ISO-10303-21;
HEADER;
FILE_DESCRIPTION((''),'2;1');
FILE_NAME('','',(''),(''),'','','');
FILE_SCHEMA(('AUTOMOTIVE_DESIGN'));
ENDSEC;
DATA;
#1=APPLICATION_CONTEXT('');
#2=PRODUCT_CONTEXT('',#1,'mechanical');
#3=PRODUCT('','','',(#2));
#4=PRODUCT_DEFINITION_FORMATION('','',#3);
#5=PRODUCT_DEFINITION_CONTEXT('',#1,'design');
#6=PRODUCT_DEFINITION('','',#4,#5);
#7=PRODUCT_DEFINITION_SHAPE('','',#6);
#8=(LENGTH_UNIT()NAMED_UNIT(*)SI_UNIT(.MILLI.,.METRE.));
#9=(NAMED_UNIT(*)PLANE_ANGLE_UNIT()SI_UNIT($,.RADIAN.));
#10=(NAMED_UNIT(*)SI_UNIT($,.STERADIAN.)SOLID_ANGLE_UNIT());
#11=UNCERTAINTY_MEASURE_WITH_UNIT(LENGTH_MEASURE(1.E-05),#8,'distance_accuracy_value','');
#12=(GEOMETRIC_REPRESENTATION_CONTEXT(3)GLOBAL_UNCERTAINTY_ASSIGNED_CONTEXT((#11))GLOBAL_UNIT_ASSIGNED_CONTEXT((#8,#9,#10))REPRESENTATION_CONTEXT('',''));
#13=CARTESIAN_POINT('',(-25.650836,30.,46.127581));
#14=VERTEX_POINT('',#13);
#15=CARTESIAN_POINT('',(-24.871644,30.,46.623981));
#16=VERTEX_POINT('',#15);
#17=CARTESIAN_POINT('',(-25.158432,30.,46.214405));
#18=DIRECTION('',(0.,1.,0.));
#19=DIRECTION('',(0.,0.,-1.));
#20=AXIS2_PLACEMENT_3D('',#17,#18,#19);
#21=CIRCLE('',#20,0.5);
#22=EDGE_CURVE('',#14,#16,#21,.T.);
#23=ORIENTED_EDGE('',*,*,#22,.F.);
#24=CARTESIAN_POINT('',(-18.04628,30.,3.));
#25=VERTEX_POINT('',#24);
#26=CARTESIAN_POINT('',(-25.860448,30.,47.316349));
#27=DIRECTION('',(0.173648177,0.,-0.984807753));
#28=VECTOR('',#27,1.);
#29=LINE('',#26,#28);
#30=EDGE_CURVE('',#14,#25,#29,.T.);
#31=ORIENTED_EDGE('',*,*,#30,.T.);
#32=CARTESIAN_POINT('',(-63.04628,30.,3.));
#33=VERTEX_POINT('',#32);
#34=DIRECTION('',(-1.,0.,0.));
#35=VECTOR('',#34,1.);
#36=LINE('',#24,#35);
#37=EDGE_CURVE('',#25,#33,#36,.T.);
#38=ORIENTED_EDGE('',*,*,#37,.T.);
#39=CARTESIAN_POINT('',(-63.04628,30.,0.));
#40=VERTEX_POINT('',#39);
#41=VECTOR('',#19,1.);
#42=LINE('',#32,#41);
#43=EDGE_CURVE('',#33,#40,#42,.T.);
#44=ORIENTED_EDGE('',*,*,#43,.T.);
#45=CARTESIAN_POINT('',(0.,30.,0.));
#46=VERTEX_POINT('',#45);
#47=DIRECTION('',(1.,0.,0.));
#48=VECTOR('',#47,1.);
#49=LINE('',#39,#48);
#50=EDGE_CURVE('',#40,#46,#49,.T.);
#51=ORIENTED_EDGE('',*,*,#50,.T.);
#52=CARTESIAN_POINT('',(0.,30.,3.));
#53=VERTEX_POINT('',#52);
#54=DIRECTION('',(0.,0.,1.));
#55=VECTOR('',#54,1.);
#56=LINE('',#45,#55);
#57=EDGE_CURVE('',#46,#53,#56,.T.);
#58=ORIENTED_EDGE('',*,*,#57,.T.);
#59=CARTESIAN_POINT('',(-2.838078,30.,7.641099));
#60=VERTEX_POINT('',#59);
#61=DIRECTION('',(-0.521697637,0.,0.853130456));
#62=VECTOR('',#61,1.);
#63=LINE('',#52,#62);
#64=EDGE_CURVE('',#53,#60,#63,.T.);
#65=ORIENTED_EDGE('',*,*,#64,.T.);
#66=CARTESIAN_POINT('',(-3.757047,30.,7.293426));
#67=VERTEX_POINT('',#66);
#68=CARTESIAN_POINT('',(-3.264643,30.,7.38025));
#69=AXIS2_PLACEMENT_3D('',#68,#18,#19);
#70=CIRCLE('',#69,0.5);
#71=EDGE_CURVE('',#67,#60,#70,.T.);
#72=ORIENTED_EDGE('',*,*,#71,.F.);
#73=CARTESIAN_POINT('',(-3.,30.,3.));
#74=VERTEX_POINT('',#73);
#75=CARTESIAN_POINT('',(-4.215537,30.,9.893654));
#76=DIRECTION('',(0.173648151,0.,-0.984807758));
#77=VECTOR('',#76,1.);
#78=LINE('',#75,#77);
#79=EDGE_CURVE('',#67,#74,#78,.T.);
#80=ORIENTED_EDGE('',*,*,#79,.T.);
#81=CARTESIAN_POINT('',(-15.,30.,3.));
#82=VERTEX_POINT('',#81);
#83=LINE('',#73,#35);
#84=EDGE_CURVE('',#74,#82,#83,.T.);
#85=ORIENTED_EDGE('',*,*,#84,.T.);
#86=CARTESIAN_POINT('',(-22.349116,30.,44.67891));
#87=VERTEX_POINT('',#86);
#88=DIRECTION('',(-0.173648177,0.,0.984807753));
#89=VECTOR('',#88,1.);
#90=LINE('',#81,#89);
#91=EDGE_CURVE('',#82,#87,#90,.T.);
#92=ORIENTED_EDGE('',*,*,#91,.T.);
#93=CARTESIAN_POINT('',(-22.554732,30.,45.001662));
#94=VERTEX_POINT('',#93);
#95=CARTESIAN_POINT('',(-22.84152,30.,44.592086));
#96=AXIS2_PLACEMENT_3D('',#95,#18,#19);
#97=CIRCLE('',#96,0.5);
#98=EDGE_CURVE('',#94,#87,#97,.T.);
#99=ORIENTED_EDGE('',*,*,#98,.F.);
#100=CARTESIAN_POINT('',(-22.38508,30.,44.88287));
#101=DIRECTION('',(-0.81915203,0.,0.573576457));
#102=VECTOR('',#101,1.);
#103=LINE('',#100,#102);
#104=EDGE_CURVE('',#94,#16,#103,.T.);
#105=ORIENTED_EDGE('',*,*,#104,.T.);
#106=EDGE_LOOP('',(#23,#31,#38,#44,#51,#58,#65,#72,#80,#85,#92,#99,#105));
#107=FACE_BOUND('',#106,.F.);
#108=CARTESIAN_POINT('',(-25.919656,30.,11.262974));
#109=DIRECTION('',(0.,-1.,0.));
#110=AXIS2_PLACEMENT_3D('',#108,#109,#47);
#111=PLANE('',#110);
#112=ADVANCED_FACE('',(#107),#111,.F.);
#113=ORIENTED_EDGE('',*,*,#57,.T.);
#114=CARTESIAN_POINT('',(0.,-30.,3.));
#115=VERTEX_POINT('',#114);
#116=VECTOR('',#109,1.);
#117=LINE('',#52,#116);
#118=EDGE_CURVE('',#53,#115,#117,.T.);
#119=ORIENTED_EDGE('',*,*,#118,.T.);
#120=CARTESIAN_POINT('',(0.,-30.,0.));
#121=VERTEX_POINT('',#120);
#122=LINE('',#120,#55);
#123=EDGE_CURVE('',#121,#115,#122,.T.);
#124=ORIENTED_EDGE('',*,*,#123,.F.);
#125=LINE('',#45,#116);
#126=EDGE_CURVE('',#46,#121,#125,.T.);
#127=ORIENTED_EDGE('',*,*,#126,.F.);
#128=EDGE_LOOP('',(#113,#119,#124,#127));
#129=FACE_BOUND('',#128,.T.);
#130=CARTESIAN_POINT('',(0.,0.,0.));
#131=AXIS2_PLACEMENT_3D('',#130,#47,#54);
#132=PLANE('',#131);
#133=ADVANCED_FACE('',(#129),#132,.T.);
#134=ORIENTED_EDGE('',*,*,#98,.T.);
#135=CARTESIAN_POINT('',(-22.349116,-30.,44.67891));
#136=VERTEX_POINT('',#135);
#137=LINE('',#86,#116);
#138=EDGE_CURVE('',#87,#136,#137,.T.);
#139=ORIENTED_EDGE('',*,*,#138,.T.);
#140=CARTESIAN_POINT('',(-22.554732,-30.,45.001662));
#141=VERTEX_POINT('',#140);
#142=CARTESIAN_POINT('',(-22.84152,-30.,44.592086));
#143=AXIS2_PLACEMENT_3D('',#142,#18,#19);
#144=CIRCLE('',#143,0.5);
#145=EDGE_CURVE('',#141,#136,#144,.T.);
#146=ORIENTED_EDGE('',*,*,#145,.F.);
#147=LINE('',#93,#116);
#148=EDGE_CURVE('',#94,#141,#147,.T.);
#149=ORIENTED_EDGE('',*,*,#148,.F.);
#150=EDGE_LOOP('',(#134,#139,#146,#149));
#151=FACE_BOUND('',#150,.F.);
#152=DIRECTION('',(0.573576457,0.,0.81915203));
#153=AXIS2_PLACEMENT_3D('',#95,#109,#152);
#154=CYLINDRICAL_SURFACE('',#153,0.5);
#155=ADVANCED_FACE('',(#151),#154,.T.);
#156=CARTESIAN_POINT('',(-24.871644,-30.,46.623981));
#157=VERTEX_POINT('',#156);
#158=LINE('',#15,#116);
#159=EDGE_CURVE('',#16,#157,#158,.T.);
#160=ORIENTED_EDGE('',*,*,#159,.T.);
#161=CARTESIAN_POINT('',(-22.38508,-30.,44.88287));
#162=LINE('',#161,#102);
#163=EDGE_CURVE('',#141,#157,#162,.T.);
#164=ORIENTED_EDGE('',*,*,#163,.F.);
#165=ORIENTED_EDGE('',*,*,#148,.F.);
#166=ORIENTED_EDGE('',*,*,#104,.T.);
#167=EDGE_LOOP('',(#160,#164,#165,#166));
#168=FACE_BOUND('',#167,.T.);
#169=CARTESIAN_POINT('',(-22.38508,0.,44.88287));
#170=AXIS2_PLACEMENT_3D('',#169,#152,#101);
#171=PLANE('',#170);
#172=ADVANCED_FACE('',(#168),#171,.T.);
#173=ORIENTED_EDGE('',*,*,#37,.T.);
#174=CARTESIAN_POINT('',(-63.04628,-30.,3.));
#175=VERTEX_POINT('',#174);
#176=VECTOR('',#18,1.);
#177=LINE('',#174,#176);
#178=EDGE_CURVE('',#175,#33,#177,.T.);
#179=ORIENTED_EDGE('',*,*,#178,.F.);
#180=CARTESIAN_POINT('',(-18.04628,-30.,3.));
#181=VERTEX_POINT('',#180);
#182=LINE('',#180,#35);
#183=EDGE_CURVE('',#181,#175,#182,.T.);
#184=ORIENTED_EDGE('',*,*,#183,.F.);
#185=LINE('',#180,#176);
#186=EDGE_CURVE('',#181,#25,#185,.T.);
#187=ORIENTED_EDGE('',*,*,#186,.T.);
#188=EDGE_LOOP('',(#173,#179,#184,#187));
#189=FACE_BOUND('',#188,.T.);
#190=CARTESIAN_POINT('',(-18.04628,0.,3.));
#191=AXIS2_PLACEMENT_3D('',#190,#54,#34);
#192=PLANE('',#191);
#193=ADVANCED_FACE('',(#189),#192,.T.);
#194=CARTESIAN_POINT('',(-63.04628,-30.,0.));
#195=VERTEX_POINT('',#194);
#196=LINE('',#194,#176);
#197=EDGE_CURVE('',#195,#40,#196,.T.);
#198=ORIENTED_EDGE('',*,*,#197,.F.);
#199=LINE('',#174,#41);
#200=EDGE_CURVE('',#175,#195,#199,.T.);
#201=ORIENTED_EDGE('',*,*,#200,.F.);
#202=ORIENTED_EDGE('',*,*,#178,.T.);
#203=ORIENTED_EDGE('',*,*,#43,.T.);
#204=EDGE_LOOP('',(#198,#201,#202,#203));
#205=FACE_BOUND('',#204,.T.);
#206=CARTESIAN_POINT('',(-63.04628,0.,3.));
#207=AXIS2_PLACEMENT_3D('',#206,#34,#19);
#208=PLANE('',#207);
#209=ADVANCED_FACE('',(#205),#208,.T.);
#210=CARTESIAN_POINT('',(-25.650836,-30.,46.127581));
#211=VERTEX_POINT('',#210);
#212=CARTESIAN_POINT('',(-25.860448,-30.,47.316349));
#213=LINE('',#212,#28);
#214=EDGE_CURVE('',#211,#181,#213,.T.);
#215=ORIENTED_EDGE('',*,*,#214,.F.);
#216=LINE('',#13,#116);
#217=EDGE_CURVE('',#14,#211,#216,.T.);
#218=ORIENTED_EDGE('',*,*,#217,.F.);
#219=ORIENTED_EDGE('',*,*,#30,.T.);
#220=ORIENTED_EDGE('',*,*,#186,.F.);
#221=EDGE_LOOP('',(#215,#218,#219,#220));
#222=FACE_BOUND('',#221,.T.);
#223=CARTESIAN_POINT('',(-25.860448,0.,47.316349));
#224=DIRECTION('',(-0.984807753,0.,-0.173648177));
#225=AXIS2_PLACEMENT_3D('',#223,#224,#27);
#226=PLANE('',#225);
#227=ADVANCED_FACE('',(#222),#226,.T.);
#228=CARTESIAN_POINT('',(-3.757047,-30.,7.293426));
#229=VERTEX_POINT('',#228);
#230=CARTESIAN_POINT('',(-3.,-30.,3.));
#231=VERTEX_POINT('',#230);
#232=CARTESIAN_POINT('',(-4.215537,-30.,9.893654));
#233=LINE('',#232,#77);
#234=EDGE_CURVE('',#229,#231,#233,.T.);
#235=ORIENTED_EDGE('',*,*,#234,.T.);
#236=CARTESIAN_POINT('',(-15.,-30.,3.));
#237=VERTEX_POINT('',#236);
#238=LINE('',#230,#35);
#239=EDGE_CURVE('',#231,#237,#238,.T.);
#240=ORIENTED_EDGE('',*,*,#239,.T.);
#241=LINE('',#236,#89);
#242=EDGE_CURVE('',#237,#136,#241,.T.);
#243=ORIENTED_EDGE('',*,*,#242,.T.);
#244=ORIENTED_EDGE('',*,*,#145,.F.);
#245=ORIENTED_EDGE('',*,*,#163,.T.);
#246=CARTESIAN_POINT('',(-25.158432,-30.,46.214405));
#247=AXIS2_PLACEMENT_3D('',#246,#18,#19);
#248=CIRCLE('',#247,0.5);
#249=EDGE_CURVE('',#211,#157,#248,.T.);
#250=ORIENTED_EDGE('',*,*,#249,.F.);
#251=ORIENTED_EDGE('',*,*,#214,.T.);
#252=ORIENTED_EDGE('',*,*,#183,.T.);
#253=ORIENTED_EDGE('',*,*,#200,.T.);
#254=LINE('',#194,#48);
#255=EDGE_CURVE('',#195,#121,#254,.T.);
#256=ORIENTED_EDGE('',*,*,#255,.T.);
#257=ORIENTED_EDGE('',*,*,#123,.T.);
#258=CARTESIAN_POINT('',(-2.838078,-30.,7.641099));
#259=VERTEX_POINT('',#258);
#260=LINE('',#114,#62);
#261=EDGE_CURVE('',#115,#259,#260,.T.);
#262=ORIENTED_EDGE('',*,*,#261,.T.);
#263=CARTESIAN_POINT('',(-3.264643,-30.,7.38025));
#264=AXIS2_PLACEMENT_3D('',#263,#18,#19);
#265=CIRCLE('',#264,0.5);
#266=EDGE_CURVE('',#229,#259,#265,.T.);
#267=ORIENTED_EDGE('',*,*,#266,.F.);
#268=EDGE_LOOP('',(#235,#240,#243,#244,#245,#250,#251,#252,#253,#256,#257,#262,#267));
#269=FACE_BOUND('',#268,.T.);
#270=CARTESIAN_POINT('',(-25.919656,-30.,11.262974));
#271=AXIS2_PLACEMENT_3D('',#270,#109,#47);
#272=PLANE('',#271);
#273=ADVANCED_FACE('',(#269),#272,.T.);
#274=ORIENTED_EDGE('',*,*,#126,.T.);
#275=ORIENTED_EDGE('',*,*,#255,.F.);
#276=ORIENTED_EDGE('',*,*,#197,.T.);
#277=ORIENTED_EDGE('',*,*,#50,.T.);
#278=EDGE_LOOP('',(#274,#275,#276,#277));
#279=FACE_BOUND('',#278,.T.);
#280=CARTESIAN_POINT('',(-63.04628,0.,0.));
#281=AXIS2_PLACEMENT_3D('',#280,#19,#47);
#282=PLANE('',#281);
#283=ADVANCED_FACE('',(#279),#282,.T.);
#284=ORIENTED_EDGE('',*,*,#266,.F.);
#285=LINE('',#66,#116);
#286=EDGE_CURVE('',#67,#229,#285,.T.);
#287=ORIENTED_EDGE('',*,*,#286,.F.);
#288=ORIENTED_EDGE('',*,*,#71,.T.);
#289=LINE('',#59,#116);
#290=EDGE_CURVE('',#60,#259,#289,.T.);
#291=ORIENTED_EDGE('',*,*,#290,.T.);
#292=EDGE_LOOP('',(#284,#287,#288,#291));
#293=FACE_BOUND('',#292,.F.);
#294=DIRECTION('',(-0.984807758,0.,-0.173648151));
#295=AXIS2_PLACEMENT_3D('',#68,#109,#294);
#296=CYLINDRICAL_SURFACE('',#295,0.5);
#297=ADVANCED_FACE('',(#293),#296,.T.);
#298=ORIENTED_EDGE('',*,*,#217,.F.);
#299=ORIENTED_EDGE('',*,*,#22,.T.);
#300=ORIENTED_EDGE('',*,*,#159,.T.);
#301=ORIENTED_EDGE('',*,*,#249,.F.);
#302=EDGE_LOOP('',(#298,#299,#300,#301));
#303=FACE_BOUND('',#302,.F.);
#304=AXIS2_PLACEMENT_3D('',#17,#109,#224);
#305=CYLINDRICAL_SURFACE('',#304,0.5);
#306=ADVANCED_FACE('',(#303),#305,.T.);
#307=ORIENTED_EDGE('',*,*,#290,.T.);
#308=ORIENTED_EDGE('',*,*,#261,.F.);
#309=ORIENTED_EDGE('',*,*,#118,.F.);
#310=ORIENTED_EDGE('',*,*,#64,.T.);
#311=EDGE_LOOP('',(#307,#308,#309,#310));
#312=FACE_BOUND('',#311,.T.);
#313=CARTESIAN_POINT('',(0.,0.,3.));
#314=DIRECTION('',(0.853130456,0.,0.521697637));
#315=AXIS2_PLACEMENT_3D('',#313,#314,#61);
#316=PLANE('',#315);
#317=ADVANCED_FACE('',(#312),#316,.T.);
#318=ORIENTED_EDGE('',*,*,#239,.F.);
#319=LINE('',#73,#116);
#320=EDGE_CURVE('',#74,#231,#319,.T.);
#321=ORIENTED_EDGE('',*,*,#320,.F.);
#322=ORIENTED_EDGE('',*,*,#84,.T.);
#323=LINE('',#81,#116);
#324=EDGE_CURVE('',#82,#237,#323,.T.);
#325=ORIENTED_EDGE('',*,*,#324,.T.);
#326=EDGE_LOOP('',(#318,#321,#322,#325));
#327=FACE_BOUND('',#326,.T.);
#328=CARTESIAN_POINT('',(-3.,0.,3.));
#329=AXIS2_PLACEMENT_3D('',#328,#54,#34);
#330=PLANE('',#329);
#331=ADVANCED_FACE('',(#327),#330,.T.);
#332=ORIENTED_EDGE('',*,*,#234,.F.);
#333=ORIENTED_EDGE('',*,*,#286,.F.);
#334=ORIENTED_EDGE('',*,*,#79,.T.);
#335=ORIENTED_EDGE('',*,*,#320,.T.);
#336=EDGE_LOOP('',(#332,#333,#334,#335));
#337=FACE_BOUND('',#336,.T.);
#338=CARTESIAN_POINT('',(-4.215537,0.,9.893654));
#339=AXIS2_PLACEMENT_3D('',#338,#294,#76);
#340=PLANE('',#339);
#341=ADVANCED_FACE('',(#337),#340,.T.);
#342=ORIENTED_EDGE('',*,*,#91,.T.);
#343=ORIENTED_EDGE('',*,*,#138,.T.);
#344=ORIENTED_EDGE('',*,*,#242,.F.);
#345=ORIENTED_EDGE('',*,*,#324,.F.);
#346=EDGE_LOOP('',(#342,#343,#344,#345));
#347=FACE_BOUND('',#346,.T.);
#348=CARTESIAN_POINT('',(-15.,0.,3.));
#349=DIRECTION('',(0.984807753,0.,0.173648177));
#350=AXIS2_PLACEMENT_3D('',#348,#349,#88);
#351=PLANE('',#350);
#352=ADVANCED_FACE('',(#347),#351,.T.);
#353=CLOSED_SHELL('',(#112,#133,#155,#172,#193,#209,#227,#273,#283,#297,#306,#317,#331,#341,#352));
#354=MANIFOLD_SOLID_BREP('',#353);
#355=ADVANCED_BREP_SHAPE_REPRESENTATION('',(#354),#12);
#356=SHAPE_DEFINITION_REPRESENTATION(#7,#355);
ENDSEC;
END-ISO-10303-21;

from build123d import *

# Parameters (mm, degrees)
F1_DEPTH = 30
F2_R     = 0.5


with BuildPart() as f1:
    # F0 (on Front) → F1 (new body, symmetric)
    with BuildSketch(Plane.XZ):
        Polygon((-63.04628, 0), (0, 0), (0, 3), (-4.215537, 9.893654), (-3, 3), (-15, 3), (-22.38508, 44.88287), (-25.860448, 47.316349), (-18.04628, 3), (-63.04628, 3), align=None)
    extrude(amount=F1_DEPTH, both=True)

    # F2
    f2_edges = [f1.edges().sort_by_distance(p)[0] for p in [
        (-22.38508, 0, 44.88287),
        (-4.215537, 0, 9.893654),
        (-25.860448, 0, 47.316349),
    ]]
    fillet(f2_edges, radius=F2_R)


solid = f1.part
